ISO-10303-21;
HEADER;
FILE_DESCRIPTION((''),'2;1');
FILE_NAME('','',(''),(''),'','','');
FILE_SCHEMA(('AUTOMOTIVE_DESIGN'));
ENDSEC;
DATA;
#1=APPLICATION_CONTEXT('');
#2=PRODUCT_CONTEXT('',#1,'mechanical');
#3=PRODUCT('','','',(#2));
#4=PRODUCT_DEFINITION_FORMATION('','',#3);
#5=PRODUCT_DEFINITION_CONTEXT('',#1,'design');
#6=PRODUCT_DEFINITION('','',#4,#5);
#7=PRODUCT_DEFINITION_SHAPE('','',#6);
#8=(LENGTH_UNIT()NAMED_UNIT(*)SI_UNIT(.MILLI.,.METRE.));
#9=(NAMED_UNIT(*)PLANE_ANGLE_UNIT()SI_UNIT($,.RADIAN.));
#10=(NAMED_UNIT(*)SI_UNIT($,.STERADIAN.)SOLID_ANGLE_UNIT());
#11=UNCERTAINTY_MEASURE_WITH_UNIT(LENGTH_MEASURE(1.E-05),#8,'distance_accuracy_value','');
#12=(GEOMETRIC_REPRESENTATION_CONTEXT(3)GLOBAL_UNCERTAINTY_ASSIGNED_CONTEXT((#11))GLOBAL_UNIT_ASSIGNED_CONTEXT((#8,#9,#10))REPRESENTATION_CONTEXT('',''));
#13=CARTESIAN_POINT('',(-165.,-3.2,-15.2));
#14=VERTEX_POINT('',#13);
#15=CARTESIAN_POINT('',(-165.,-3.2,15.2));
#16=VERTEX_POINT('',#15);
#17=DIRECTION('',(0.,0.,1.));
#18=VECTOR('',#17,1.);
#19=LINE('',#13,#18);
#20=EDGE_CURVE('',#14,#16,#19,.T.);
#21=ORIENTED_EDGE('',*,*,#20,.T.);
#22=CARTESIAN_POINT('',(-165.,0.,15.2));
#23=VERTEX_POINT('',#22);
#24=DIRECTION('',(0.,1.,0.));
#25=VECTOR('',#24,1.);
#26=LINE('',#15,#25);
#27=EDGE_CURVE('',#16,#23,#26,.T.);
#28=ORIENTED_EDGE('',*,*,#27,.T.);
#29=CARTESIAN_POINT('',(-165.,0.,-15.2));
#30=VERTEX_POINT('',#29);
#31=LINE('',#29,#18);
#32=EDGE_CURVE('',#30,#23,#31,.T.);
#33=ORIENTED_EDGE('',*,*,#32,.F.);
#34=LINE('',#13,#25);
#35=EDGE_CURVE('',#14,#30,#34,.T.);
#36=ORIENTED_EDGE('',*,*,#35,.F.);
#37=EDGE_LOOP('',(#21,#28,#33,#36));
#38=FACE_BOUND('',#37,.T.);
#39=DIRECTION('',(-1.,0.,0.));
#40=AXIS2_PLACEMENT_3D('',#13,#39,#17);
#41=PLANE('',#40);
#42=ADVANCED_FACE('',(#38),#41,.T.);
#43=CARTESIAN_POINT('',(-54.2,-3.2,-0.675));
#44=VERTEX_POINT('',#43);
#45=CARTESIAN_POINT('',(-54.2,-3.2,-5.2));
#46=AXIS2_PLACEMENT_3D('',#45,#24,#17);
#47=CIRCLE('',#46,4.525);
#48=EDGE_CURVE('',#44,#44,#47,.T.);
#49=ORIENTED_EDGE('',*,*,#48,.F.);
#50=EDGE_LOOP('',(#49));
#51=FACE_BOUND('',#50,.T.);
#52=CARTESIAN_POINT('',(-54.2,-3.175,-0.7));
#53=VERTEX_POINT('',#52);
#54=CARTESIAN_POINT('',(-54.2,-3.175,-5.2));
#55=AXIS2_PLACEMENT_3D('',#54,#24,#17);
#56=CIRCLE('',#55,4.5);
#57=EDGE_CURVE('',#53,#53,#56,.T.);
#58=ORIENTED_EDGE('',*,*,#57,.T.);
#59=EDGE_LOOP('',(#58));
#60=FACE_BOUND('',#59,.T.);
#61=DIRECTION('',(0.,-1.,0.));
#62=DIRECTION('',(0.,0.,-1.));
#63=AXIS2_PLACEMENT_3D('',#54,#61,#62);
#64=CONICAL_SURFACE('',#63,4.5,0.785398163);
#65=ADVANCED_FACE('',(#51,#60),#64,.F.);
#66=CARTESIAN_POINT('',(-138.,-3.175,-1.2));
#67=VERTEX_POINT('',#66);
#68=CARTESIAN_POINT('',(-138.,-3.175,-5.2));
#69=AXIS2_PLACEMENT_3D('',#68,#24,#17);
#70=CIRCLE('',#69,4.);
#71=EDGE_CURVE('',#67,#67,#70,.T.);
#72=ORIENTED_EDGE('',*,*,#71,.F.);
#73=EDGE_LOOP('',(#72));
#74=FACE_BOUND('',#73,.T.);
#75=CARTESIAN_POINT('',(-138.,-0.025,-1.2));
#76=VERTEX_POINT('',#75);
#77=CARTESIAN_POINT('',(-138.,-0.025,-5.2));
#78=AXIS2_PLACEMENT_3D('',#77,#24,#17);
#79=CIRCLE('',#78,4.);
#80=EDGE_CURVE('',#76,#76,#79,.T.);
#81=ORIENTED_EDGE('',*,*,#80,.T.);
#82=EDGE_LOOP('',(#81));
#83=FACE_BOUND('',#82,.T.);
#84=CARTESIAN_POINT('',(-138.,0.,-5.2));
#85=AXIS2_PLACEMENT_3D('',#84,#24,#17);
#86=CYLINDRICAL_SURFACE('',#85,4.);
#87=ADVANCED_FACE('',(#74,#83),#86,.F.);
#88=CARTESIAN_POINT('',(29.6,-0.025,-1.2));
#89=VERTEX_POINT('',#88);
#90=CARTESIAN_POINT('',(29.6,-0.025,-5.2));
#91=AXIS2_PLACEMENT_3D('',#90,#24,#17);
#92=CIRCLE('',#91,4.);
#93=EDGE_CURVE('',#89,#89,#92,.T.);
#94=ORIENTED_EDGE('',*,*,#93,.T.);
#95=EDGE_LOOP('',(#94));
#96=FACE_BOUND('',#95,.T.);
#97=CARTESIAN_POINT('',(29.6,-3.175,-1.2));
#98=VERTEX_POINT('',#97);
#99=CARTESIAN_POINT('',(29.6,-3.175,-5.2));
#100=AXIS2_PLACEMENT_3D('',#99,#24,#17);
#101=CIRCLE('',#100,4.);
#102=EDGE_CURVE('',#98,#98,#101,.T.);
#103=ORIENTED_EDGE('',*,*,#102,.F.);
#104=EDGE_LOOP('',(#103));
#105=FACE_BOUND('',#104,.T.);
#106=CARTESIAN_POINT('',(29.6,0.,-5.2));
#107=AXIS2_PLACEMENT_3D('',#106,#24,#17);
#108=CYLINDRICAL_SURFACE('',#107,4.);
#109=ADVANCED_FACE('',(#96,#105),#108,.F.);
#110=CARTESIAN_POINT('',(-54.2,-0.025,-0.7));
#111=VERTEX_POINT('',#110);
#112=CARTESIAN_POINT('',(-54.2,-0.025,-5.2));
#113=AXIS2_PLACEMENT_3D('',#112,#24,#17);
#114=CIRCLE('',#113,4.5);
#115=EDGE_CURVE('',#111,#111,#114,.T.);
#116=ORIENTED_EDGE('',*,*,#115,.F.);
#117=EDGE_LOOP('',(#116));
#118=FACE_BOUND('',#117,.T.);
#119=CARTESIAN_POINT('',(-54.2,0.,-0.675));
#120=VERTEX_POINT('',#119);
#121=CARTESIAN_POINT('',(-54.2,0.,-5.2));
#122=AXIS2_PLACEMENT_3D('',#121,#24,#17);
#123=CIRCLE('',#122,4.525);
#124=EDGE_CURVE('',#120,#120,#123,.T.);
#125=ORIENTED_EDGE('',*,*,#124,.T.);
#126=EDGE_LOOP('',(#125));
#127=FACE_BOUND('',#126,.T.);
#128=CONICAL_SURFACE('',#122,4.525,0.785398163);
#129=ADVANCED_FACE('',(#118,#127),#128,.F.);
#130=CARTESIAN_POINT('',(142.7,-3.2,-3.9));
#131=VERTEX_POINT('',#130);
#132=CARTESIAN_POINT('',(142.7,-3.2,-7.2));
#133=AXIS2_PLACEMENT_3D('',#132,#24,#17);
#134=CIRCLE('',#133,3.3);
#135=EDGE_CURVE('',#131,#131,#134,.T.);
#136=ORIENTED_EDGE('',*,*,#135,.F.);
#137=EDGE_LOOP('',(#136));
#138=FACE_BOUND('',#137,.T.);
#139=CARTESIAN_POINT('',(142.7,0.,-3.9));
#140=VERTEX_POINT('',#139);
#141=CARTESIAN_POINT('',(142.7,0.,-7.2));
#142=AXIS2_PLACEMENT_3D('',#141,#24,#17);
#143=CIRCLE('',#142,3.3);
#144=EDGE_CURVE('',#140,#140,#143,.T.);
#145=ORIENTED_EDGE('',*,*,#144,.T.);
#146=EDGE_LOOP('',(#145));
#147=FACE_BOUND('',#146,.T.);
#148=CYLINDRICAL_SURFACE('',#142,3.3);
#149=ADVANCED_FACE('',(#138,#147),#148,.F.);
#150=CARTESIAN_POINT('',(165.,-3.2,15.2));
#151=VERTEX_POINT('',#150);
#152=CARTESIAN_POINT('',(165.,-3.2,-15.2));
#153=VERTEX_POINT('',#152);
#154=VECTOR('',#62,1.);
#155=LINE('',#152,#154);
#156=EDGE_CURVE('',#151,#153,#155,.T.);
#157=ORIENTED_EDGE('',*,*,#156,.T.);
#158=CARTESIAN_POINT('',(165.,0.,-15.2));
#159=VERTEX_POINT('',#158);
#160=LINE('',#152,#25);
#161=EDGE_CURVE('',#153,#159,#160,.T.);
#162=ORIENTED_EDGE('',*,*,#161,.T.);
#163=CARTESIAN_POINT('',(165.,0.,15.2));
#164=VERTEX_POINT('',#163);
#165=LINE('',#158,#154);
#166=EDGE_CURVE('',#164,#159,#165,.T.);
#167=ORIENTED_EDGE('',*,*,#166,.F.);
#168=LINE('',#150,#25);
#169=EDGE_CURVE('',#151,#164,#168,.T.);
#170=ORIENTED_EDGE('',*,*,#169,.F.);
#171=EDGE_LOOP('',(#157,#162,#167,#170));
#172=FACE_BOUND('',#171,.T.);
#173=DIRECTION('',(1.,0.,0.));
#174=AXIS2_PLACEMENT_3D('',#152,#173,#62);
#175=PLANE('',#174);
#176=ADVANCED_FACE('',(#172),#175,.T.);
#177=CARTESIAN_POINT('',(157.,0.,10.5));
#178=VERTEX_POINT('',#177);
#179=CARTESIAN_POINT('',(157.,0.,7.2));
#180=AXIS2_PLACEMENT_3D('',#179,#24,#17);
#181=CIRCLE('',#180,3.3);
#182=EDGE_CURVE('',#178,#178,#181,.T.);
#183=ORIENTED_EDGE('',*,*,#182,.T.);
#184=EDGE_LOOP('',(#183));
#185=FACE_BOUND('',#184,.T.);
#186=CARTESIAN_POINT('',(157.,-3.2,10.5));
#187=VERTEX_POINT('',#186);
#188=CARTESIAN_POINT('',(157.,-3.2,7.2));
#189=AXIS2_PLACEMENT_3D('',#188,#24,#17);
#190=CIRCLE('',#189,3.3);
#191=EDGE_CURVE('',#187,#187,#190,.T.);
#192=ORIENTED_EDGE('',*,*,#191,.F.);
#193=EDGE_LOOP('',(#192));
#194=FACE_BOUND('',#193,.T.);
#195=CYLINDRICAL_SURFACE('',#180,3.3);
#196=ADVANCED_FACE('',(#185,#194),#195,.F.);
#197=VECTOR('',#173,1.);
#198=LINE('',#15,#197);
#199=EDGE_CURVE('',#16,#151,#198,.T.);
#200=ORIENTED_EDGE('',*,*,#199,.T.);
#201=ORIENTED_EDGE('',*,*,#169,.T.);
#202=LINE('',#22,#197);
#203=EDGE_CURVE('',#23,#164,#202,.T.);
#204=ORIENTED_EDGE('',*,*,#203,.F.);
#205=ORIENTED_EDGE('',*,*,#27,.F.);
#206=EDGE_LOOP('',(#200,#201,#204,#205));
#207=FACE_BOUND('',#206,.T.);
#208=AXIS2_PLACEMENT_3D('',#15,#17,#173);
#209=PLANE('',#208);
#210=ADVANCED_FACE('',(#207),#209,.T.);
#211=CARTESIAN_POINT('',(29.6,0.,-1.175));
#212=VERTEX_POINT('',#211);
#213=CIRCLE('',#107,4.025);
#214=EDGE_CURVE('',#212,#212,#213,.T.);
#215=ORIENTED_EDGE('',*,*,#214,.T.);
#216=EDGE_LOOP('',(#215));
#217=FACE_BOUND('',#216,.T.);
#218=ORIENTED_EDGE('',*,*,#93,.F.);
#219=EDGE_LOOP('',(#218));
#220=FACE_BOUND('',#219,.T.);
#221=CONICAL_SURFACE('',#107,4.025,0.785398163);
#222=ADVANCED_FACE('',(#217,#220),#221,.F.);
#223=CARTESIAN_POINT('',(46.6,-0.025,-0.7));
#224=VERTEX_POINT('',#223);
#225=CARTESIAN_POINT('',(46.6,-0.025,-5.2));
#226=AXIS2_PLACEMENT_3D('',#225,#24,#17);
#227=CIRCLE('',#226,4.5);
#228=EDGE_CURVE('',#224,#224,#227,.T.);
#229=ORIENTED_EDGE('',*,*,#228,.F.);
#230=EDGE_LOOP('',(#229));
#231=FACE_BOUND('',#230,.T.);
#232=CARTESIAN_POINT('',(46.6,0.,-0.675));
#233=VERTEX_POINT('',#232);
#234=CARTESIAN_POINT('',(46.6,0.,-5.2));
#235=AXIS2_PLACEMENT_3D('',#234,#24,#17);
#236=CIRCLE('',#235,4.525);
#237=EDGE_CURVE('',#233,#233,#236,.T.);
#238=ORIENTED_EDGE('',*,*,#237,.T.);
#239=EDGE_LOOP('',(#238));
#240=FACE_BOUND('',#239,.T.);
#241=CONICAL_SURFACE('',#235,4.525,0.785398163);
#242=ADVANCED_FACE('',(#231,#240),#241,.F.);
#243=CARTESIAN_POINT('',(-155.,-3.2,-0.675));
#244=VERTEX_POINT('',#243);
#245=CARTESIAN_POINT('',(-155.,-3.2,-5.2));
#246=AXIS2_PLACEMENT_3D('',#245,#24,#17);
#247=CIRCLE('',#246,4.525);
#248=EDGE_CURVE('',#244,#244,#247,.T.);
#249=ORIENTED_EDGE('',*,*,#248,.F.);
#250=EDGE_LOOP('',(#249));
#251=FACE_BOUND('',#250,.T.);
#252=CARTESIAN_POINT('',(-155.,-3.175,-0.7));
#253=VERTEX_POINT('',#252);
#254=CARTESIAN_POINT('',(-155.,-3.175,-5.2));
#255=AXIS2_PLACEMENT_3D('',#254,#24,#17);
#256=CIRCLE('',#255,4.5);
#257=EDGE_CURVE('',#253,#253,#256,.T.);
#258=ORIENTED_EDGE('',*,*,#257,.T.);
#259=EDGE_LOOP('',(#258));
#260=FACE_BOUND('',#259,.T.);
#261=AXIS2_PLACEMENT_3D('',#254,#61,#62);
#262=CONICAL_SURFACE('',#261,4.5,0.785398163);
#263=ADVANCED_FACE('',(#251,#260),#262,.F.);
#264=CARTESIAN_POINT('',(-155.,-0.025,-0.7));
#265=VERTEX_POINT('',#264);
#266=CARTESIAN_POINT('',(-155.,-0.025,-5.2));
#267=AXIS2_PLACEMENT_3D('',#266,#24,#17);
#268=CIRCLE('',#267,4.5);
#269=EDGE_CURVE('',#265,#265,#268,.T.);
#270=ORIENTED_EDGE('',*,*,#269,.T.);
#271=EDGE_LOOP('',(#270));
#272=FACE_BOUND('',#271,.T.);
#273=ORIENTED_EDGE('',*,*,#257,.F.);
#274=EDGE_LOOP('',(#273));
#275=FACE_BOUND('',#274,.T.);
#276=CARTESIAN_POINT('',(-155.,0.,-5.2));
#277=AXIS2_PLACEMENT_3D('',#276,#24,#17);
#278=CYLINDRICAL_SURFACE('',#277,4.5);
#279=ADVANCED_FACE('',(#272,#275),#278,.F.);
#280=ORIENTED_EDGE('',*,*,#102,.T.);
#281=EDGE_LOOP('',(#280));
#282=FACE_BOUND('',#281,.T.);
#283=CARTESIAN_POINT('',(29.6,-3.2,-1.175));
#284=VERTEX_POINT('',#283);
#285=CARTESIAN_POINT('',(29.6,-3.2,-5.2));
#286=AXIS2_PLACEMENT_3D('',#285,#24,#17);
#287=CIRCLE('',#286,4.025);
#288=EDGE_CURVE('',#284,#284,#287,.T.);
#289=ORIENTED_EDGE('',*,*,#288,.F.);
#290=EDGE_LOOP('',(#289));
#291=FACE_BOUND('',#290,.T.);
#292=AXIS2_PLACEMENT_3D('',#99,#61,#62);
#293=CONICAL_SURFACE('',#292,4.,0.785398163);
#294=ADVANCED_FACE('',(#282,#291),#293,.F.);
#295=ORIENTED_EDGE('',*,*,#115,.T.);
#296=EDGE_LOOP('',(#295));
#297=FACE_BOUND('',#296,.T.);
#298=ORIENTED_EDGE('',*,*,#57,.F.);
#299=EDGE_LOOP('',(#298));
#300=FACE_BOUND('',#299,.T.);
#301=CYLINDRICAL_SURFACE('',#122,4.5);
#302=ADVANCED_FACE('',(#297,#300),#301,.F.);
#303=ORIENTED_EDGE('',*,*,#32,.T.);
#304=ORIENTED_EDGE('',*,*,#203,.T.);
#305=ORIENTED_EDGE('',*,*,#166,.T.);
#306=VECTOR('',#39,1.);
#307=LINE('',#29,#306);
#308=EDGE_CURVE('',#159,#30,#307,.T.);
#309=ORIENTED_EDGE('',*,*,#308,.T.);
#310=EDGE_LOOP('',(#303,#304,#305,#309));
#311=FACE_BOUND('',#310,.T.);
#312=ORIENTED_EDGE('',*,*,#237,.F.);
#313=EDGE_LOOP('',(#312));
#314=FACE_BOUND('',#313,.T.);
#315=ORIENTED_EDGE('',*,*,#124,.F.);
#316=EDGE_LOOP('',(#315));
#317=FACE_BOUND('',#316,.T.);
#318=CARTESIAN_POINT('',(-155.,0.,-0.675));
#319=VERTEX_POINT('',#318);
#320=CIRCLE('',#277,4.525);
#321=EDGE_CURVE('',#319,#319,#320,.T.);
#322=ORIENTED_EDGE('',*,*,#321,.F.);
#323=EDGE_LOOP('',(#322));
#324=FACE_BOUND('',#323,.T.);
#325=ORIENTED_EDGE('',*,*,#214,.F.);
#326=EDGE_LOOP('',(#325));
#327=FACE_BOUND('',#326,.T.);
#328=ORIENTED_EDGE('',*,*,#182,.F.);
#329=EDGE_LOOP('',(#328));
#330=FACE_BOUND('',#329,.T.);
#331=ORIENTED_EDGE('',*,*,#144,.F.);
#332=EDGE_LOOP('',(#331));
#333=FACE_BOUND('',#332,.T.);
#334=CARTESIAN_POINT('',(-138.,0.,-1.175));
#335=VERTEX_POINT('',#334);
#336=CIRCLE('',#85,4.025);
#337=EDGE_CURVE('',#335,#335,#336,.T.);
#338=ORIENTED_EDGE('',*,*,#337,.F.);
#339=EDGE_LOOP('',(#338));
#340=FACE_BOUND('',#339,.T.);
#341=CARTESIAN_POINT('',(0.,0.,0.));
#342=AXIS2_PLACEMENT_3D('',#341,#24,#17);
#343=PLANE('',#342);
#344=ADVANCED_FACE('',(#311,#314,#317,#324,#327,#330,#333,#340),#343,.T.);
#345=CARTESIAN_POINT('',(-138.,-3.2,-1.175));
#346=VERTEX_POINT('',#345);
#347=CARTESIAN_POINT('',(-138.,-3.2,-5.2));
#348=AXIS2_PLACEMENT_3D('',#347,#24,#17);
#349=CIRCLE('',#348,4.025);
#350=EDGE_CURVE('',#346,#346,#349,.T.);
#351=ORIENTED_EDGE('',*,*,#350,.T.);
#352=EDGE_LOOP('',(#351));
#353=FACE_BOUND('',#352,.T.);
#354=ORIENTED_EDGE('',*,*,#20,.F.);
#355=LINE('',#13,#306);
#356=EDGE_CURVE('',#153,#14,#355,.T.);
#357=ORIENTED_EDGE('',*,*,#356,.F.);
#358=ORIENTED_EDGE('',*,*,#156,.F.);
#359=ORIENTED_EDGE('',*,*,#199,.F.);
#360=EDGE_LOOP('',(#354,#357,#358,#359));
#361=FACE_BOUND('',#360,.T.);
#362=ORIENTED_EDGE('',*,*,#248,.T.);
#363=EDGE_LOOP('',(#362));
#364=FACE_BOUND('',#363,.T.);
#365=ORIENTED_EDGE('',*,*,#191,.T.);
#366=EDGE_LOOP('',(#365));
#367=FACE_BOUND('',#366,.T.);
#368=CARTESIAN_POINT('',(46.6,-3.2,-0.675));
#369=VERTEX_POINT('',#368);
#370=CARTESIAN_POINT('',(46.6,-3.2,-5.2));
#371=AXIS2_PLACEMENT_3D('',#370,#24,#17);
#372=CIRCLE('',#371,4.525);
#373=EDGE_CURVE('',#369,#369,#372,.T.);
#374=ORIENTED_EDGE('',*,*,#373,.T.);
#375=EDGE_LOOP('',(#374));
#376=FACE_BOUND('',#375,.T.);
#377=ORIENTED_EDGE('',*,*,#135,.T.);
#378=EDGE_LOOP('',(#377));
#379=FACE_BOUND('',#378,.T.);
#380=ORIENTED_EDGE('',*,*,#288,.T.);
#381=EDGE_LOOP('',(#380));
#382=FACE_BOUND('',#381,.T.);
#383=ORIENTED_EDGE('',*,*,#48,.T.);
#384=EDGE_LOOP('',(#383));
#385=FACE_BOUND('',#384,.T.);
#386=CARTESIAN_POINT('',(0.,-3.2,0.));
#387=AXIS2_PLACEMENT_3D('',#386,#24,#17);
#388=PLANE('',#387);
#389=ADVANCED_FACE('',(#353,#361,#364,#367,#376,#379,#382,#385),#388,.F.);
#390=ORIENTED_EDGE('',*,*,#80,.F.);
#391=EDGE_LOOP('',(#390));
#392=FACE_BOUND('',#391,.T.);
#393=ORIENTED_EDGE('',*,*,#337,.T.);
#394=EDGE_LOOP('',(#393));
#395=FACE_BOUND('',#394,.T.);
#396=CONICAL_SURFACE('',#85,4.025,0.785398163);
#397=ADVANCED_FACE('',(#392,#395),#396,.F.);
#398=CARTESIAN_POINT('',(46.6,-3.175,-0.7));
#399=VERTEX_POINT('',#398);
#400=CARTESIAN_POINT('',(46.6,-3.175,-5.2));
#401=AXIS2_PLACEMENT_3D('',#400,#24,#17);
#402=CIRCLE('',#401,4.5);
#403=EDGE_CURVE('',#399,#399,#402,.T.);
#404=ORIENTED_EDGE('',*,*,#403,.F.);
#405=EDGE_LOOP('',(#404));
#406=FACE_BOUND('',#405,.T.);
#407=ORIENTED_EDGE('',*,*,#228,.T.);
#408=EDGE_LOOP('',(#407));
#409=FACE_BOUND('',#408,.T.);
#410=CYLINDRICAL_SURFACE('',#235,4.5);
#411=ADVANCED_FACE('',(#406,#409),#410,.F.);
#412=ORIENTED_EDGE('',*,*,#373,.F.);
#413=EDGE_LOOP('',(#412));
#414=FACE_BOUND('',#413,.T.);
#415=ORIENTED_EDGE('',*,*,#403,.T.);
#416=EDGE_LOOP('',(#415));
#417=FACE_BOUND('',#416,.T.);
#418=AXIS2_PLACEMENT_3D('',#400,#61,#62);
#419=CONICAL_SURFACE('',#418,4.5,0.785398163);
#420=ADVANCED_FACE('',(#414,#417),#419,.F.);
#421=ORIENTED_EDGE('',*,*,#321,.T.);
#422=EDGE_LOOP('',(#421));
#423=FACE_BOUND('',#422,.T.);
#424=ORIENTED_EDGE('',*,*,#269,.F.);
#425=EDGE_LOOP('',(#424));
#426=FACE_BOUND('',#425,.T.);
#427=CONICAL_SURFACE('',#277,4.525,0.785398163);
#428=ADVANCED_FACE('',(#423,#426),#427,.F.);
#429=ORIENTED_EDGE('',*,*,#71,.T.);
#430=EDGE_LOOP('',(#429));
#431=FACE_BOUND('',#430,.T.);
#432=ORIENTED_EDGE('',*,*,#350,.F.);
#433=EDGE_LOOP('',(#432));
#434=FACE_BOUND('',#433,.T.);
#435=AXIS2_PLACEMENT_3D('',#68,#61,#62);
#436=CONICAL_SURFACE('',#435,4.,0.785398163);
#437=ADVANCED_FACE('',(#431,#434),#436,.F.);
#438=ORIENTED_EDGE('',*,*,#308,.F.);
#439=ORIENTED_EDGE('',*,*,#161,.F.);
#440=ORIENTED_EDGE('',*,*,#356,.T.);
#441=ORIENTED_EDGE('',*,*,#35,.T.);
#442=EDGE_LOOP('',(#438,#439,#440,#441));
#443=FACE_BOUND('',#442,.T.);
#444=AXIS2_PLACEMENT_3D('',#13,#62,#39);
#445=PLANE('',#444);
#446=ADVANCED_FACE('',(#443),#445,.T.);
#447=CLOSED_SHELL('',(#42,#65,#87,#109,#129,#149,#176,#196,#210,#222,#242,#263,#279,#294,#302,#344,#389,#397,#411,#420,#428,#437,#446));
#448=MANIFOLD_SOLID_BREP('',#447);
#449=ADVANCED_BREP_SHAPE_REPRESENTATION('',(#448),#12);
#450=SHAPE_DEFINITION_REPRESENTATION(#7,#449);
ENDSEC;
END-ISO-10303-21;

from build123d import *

# Parameters (mm, degrees)
SKETCH1_W                      = 330
SKETCH1_H                      = 30.4
BOSS_EXTRUDE1_DEPTH            = 3.2
M8_CLEARANCE_HOLE1_AT_2_COUNT  = 2
M8_CLEARANCE_HOLE1_AT_2_PITCH  = 201.6
M8_CLEARANCE_HOLE1_AT_3_COUNT  = 2
M8_CLEARANCE_HOLE1_AT_3_PITCH  = 100.8
F_8_0MM_DOWEL_HOLE1_AT_2_COUNT = 2
F_8_0MM_DOWEL_HOLE1_AT_2_PITCH = 167.6
M6_CLEARANCE_HOLE1_D           = 6.6


with BuildPart() as part:
    # Sketch1 → Boss-Extrude1 (new body)
    with BuildSketch(Plane(origin=(0, 0, 0), x_dir=(1, 0, 0), z_dir=(0, 1, 0))):
        Rectangle(SKETCH1_W, SKETCH1_H)
    extrude(amount=-BOSS_EXTRUDE1_DEPTH)

    # Sketch3 → M8 Clearance Hole1 (revolve, cut)
    with BuildSketch(Plane(origin=(-155, 0, -5.2), x_dir=(0, 0, 1), z_dir=(1, 0, 0))):
        Polygon((0, 0), (0, 3.2), (4.525, 3.2), (4.5, 3.175), (4.5, 0.025), (4.525, 0), align=None)
    m8_clearance_hole1 = revolve(axis=Axis((-155, 6.35, -5.2), (0, -1, 0)), mode=Mode.SUBTRACT)

    # M8 Clearance Hole1 at 2: M8 Clearance Hole1 ×2
    with Locations(*[(i * M8_CLEARANCE_HOLE1_AT_2_PITCH, 0, 0) for i in range(1, M8_CLEARANCE_HOLE1_AT_2_COUNT)]):
        add(m8_clearance_hole1, mode=Mode.SUBTRACT)

    # M8 Clearance Hole1 at 3: M8 Clearance Hole1 ×2
    with Locations(*[(i * M8_CLEARANCE_HOLE1_AT_3_PITCH, 0, 0) for i in range(1, M8_CLEARANCE_HOLE1_AT_3_COUNT)]):
        add(m8_clearance_hole1, mode=Mode.SUBTRACT)

    # Sketch5 → Ø8.0mm Dowel Hole1 (revolve, cut)
    with BuildSketch(Plane(origin=(-138, 0, -5.2), x_dir=(0, 0, 1), z_dir=(1, 0, 0))):
        Polygon((0, 0), (0, 3.2), (4.025, 3.2), (4, 3.175), (4, 0.025), (4.025, 0), align=None)
    f_8_0mm_dowel_hole1 = revolve(axis=Axis((-138, 6.35, -5.2), (0, -1, 0)), mode=Mode.SUBTRACT)

    # Ø8.0mm Dowel Hole1 at 2: Ø8.0mm Dowel Hole1 ×2
    with Locations(*[(i * F_8_0MM_DOWEL_HOLE1_AT_2_PITCH, 0, 0) for i in range(1, F_8_0MM_DOWEL_HOLE1_AT_2_COUNT)]):
        add(f_8_0mm_dowel_hole1, mode=Mode.SUBTRACT)

    # M6 Clearance Hole1 (through all)
    with Locations(Plane(origin=(0, 0, 0), x_dir=(1, 0, 0), z_dir=(0, 1, 0))):
        with Locations((142.7, 7.2), (157, -7.2)):
            Hole(M6_CLEARANCE_HOLE1_D / 2)


solid = part.part
